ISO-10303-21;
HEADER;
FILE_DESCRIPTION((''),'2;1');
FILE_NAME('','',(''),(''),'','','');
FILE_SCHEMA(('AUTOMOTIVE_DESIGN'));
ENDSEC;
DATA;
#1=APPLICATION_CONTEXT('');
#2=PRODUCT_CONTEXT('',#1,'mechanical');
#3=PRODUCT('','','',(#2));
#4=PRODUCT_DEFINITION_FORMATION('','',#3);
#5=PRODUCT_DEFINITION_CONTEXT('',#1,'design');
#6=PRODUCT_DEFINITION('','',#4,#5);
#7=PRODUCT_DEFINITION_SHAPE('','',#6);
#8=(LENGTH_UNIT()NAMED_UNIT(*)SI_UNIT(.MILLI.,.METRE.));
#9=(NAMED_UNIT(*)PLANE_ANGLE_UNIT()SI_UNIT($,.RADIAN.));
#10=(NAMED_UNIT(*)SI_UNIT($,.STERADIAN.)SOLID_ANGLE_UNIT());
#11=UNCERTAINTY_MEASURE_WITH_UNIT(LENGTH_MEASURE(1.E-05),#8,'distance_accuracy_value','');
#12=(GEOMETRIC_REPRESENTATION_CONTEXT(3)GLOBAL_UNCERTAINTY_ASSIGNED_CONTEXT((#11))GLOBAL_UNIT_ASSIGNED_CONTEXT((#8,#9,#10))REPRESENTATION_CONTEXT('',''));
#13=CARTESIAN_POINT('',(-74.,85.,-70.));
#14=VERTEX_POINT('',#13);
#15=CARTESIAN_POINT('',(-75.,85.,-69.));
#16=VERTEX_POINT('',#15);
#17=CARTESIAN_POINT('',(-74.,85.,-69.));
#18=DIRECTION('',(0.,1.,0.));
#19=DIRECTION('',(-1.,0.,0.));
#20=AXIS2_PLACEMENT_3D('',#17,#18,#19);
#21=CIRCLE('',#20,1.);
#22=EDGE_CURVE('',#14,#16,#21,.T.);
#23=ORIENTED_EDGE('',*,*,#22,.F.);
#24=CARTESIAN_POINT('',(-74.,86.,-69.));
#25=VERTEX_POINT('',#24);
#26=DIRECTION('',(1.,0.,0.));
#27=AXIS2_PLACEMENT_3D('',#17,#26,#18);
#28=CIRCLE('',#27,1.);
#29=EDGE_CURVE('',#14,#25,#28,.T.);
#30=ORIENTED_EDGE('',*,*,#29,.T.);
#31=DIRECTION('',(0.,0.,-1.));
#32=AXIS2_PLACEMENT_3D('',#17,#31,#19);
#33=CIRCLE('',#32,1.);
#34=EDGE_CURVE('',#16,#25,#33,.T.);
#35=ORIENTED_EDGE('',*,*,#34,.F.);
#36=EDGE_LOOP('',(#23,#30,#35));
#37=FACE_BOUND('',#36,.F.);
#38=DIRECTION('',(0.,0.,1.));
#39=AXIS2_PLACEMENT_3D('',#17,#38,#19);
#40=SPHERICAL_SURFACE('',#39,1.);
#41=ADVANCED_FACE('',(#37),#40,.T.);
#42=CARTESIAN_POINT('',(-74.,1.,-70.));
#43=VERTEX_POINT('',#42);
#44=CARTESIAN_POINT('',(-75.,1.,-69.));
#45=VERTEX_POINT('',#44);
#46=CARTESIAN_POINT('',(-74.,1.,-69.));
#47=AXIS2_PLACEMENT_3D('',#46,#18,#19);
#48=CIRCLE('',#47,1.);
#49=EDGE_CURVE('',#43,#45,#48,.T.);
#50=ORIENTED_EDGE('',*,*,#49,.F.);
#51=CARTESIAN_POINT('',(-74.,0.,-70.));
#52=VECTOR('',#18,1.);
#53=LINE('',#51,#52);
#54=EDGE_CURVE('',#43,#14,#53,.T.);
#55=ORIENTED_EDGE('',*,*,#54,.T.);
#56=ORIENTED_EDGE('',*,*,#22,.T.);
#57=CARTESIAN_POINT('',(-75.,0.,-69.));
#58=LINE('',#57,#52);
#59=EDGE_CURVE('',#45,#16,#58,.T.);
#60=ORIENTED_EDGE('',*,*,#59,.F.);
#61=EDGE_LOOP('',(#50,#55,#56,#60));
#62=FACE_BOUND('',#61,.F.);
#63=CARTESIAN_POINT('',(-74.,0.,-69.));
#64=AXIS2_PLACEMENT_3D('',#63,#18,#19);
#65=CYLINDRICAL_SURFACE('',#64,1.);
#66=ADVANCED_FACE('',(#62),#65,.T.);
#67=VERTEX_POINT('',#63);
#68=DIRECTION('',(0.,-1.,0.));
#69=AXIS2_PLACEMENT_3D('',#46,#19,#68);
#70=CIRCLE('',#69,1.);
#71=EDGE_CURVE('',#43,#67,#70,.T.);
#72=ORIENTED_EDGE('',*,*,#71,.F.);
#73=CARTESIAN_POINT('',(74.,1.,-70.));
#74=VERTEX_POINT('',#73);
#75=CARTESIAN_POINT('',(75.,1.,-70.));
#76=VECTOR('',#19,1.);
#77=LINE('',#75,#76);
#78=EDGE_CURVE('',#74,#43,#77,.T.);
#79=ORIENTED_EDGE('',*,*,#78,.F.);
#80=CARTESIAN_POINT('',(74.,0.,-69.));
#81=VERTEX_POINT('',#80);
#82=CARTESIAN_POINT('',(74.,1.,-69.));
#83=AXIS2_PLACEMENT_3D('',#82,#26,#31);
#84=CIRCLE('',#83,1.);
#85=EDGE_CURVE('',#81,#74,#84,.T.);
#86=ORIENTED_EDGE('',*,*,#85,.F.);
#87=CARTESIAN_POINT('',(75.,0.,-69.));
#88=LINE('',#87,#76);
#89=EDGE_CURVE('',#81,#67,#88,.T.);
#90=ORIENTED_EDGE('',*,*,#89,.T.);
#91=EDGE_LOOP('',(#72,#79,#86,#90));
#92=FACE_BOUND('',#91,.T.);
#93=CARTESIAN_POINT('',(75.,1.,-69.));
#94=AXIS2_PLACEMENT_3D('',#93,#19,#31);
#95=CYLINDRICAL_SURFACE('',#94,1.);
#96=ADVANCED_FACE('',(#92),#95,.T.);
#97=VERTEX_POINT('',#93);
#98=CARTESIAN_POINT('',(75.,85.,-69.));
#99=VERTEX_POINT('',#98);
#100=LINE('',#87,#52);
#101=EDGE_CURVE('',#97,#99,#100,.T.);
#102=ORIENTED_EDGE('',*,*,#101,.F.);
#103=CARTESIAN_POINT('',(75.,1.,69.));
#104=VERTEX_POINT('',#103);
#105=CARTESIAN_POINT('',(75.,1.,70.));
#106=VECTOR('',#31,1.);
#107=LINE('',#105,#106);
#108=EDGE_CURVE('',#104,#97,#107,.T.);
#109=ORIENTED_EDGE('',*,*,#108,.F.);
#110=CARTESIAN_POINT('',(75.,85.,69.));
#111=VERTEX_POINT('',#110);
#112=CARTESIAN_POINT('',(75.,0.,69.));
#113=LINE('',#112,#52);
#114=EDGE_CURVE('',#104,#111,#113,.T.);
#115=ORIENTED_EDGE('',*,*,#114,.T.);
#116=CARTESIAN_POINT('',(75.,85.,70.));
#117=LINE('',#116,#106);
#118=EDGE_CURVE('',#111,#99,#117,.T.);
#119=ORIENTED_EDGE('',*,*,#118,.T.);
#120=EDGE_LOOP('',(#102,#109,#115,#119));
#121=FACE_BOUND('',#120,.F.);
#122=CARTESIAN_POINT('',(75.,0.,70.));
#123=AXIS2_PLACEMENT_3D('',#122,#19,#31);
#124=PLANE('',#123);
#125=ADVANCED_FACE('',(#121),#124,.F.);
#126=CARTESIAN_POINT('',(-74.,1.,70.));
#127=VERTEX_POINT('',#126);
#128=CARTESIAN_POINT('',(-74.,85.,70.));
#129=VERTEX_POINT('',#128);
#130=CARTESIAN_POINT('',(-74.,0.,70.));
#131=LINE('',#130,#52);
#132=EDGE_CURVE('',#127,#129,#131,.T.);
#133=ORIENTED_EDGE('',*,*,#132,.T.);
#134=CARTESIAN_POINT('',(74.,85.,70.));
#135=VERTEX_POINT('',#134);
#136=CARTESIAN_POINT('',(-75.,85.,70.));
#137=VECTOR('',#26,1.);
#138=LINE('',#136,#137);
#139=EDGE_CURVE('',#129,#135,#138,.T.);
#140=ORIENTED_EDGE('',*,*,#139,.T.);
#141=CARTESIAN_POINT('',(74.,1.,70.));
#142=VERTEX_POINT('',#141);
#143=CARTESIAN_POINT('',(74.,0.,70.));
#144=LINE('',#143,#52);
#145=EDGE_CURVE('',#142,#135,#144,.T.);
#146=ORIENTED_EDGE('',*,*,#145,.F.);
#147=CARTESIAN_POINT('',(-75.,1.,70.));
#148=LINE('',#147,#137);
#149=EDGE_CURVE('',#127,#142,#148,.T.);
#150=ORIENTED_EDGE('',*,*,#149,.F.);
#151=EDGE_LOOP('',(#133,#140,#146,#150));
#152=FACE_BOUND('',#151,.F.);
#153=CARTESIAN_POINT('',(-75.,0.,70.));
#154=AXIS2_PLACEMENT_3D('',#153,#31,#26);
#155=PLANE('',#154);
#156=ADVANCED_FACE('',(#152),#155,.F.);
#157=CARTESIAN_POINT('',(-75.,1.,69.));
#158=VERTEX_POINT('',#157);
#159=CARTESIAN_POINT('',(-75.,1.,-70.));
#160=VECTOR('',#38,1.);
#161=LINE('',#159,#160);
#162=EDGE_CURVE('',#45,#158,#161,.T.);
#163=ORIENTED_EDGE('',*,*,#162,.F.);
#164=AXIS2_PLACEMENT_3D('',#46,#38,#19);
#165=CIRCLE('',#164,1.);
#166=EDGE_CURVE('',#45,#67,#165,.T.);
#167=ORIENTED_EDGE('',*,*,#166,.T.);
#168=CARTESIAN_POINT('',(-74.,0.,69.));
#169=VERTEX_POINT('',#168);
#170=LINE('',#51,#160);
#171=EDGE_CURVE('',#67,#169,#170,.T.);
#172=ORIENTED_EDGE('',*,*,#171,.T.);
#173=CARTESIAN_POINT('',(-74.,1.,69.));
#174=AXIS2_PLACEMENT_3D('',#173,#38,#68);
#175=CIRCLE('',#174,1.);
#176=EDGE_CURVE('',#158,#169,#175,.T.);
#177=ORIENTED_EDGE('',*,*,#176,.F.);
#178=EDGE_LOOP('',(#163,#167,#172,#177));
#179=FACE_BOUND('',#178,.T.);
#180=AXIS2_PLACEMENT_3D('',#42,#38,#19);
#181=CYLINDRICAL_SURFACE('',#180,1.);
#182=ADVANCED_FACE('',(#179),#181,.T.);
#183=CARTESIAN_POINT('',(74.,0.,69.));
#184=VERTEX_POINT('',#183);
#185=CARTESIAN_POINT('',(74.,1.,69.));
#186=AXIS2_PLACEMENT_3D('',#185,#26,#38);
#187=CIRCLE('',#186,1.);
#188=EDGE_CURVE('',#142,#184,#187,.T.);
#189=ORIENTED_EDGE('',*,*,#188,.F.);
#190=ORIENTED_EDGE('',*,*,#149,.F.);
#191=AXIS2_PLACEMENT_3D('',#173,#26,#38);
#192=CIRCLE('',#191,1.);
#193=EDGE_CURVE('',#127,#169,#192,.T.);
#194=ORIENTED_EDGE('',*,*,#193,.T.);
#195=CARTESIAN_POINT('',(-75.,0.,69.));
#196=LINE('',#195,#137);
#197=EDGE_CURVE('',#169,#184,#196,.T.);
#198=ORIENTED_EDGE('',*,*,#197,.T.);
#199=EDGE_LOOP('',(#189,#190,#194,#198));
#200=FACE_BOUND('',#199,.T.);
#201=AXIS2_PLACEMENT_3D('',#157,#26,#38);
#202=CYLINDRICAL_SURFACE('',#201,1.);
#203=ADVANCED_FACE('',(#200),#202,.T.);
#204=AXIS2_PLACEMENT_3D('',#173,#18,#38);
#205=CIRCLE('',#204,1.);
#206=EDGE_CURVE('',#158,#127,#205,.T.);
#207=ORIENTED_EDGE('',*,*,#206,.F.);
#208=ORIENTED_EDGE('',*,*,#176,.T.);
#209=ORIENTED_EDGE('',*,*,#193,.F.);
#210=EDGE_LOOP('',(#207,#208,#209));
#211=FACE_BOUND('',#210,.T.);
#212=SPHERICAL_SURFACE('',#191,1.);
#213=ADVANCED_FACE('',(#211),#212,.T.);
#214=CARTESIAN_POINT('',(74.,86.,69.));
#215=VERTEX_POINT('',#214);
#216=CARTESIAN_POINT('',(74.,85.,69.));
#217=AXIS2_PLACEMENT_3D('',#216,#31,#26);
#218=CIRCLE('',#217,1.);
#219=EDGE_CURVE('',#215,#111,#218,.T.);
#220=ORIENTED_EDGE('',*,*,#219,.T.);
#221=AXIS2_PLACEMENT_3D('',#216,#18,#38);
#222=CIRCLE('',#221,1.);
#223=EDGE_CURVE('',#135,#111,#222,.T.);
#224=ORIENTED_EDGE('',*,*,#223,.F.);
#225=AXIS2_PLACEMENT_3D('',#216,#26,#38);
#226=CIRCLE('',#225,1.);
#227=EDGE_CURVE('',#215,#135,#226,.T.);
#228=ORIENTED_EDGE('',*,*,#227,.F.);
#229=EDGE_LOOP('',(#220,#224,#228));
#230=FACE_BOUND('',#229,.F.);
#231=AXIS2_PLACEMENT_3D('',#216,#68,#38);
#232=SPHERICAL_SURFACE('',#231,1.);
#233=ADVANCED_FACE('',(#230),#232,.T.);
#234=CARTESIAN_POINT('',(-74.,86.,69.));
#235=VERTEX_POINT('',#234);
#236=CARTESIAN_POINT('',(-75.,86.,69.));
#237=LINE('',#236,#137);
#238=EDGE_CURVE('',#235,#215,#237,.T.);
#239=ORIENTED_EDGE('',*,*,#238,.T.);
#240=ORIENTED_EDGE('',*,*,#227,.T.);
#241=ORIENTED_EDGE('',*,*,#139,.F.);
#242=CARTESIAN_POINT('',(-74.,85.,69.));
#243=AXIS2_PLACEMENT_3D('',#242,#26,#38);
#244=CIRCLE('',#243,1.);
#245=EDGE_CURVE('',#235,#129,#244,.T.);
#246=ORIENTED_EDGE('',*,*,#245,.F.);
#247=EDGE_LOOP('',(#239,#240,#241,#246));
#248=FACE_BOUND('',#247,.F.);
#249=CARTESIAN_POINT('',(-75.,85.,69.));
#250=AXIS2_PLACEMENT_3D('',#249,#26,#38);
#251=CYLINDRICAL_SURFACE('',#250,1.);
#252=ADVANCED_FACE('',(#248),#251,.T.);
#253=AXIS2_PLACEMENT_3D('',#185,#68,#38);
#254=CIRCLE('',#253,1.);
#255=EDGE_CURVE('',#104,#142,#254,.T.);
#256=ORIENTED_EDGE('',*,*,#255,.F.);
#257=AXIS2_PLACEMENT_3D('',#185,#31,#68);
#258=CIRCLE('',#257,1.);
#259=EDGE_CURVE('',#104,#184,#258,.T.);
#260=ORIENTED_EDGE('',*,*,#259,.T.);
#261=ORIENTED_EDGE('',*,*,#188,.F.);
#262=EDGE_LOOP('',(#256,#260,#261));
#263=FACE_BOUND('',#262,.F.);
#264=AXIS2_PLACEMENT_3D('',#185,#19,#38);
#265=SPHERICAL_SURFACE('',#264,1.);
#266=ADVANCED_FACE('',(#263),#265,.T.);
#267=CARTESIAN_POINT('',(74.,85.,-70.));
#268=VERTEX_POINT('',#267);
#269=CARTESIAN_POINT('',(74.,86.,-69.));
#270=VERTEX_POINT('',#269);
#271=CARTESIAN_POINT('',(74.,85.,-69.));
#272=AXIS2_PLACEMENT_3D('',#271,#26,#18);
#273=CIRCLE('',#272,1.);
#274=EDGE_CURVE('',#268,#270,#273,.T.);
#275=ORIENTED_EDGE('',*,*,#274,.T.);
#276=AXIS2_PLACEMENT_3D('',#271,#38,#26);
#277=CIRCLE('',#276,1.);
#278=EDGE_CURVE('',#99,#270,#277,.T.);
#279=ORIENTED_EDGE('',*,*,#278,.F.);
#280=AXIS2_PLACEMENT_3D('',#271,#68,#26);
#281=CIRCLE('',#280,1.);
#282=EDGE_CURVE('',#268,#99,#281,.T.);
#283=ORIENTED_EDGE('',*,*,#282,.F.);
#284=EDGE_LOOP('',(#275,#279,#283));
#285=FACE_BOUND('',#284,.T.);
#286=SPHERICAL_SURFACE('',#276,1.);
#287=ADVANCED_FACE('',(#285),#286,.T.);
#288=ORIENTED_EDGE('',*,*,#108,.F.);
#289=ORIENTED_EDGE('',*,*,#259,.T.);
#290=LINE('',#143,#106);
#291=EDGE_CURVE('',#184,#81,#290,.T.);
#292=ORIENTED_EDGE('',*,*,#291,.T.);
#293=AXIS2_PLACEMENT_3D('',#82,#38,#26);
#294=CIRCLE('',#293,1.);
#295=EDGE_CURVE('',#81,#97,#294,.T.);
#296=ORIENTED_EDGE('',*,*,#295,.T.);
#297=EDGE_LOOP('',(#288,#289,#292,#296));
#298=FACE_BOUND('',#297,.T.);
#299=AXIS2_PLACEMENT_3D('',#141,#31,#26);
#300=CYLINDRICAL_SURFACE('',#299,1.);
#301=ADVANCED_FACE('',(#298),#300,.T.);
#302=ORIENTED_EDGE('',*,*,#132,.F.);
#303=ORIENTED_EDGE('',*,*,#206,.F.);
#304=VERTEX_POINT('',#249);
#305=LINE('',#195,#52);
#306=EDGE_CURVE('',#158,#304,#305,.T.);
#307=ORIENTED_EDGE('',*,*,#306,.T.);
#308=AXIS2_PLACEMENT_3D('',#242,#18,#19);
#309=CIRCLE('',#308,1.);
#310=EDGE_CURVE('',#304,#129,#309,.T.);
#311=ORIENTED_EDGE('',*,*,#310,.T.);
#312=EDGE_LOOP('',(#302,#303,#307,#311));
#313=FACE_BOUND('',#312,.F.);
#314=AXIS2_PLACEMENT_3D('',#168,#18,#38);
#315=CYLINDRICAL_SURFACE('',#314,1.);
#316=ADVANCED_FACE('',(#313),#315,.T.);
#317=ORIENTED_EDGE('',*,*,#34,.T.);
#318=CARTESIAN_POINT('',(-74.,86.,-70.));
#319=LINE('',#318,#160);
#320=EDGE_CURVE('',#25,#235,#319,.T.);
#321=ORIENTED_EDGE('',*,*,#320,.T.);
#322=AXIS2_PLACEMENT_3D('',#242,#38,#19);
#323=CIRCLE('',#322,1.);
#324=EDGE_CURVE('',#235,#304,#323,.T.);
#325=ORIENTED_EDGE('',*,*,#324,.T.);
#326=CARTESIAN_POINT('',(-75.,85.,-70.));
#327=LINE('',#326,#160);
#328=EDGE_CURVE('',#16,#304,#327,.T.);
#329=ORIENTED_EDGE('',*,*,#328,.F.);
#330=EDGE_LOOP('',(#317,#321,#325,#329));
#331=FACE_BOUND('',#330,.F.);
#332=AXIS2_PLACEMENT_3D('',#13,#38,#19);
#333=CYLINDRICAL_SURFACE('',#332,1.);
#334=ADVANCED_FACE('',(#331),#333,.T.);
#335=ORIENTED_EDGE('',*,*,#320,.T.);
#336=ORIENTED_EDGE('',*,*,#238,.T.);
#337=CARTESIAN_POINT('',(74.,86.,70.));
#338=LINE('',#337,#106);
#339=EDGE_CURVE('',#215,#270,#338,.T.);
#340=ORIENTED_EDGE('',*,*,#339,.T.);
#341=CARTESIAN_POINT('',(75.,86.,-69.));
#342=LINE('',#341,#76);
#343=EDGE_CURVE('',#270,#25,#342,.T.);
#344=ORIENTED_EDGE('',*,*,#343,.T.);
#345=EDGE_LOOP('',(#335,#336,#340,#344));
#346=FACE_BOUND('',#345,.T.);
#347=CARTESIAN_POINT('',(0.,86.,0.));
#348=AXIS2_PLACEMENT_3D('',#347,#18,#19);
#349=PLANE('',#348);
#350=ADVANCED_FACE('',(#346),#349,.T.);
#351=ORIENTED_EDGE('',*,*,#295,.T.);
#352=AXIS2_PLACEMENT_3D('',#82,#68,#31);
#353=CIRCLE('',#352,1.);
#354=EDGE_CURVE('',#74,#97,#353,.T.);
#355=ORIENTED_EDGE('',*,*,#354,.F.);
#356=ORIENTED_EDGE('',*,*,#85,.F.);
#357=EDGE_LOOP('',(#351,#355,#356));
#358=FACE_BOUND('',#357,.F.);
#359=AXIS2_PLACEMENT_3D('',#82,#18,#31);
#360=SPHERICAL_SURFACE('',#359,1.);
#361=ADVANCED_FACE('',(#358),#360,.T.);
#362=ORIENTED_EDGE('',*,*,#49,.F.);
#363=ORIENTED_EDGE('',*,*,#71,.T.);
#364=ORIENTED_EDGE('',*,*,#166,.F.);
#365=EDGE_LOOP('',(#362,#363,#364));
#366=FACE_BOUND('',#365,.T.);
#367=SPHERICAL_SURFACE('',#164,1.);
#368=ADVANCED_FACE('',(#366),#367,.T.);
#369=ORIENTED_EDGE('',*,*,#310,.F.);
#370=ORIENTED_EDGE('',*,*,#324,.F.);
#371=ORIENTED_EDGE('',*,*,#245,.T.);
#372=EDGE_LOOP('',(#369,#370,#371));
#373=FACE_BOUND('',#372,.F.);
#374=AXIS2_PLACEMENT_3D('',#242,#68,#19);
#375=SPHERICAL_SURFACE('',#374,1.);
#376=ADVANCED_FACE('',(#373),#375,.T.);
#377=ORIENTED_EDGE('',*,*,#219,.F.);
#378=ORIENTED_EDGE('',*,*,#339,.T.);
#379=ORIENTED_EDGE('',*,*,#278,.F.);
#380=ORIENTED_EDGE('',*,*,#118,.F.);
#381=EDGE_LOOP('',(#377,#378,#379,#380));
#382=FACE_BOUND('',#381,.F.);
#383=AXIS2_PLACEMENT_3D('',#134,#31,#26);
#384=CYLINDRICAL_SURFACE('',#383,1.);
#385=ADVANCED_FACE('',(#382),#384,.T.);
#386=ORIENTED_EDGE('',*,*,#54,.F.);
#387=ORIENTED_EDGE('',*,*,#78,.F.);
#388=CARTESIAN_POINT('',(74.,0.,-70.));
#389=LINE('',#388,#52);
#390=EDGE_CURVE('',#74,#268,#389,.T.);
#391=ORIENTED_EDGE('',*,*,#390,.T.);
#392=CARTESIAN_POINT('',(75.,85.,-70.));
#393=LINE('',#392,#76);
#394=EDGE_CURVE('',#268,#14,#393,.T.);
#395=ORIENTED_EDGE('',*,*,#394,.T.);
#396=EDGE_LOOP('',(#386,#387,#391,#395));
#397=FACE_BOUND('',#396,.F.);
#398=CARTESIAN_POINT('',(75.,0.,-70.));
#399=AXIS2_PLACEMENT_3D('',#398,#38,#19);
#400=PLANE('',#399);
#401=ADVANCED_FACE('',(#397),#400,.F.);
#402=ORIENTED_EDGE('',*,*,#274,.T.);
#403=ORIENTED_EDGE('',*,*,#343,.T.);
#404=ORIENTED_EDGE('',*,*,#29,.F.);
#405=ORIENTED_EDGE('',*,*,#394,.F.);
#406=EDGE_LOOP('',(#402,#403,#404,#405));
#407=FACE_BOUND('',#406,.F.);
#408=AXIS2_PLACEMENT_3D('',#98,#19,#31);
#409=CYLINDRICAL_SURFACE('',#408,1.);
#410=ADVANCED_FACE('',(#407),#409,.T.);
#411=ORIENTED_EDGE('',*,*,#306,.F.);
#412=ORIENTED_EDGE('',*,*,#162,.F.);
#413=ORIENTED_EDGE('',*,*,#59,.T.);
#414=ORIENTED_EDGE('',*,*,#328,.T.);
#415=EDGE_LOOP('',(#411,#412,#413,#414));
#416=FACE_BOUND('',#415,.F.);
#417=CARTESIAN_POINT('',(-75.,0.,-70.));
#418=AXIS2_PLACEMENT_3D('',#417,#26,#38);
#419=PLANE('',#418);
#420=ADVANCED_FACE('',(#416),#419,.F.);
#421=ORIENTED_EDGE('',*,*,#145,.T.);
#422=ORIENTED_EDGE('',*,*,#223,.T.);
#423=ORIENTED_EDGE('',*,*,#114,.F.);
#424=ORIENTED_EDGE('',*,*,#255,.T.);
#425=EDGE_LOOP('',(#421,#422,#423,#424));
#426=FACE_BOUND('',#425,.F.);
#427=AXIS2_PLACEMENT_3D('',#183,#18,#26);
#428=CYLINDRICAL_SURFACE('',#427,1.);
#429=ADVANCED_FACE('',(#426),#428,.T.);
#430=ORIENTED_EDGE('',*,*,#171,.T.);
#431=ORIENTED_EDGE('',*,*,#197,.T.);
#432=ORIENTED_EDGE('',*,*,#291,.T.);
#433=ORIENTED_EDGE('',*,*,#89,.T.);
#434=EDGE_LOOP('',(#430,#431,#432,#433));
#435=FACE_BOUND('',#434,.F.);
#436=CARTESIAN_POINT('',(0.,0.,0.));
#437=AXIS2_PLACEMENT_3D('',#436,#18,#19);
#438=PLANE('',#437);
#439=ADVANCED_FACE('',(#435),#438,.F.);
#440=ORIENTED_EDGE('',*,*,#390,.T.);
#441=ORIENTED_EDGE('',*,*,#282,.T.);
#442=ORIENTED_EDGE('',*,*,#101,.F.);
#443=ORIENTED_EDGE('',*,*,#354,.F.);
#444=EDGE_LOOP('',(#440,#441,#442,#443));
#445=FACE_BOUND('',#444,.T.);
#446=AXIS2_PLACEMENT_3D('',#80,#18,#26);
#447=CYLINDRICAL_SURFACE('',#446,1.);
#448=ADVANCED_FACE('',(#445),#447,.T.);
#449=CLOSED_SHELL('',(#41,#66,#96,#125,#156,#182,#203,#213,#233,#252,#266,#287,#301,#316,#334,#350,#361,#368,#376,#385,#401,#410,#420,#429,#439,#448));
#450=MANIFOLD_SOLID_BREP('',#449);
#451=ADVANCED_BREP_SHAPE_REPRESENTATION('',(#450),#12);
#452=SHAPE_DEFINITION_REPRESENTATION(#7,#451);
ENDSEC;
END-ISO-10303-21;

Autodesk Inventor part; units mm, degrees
ref_plane "YZ Plane" through (0, 0, 0) normal (1, 0, 0) x (0, 1, 0)
ref_plane "XZ Plane" through (0, 0, 0) normal (0, 1, 0) x (-1, 0, 0)
ref_plane "XY Plane" through (0, 0, 0) normal (0, 0, 1) x (1, 0, 0)
sketch "Sketch1" plane through (0, 0, 0) normal (0, 1, 0) x (-1, 0, 0)
  line L0 (-75, -70) -> (75, -70)
  line L1 (75, -70) -> (75, 70)
  line L2 (75, 70) -> (-75, 70)
  line L3 (-75, 70) -> (-75, -70)
  point P0 (0, 0)
  dimension "d0" = 150
  dimension "d1" = 140
  dimension "d4" = 70
  dimension "d5" = 75
extrude "Extrusion1" add sketch "Sketch1" along normal blind 86
fillet "Fillet1" radius 1 12 edges at (0, 0, 70) (-75, 43, 70) (-75, 86, 0) (-75, 0, 0) (-75, 43, -70) (75, 43, 70) (0, 86, 70) (75, 86, 0) (75, 43, -70) (0, 86, -70) (0, 0, -70) (75, 0, 0)
properties part number "PSU"
